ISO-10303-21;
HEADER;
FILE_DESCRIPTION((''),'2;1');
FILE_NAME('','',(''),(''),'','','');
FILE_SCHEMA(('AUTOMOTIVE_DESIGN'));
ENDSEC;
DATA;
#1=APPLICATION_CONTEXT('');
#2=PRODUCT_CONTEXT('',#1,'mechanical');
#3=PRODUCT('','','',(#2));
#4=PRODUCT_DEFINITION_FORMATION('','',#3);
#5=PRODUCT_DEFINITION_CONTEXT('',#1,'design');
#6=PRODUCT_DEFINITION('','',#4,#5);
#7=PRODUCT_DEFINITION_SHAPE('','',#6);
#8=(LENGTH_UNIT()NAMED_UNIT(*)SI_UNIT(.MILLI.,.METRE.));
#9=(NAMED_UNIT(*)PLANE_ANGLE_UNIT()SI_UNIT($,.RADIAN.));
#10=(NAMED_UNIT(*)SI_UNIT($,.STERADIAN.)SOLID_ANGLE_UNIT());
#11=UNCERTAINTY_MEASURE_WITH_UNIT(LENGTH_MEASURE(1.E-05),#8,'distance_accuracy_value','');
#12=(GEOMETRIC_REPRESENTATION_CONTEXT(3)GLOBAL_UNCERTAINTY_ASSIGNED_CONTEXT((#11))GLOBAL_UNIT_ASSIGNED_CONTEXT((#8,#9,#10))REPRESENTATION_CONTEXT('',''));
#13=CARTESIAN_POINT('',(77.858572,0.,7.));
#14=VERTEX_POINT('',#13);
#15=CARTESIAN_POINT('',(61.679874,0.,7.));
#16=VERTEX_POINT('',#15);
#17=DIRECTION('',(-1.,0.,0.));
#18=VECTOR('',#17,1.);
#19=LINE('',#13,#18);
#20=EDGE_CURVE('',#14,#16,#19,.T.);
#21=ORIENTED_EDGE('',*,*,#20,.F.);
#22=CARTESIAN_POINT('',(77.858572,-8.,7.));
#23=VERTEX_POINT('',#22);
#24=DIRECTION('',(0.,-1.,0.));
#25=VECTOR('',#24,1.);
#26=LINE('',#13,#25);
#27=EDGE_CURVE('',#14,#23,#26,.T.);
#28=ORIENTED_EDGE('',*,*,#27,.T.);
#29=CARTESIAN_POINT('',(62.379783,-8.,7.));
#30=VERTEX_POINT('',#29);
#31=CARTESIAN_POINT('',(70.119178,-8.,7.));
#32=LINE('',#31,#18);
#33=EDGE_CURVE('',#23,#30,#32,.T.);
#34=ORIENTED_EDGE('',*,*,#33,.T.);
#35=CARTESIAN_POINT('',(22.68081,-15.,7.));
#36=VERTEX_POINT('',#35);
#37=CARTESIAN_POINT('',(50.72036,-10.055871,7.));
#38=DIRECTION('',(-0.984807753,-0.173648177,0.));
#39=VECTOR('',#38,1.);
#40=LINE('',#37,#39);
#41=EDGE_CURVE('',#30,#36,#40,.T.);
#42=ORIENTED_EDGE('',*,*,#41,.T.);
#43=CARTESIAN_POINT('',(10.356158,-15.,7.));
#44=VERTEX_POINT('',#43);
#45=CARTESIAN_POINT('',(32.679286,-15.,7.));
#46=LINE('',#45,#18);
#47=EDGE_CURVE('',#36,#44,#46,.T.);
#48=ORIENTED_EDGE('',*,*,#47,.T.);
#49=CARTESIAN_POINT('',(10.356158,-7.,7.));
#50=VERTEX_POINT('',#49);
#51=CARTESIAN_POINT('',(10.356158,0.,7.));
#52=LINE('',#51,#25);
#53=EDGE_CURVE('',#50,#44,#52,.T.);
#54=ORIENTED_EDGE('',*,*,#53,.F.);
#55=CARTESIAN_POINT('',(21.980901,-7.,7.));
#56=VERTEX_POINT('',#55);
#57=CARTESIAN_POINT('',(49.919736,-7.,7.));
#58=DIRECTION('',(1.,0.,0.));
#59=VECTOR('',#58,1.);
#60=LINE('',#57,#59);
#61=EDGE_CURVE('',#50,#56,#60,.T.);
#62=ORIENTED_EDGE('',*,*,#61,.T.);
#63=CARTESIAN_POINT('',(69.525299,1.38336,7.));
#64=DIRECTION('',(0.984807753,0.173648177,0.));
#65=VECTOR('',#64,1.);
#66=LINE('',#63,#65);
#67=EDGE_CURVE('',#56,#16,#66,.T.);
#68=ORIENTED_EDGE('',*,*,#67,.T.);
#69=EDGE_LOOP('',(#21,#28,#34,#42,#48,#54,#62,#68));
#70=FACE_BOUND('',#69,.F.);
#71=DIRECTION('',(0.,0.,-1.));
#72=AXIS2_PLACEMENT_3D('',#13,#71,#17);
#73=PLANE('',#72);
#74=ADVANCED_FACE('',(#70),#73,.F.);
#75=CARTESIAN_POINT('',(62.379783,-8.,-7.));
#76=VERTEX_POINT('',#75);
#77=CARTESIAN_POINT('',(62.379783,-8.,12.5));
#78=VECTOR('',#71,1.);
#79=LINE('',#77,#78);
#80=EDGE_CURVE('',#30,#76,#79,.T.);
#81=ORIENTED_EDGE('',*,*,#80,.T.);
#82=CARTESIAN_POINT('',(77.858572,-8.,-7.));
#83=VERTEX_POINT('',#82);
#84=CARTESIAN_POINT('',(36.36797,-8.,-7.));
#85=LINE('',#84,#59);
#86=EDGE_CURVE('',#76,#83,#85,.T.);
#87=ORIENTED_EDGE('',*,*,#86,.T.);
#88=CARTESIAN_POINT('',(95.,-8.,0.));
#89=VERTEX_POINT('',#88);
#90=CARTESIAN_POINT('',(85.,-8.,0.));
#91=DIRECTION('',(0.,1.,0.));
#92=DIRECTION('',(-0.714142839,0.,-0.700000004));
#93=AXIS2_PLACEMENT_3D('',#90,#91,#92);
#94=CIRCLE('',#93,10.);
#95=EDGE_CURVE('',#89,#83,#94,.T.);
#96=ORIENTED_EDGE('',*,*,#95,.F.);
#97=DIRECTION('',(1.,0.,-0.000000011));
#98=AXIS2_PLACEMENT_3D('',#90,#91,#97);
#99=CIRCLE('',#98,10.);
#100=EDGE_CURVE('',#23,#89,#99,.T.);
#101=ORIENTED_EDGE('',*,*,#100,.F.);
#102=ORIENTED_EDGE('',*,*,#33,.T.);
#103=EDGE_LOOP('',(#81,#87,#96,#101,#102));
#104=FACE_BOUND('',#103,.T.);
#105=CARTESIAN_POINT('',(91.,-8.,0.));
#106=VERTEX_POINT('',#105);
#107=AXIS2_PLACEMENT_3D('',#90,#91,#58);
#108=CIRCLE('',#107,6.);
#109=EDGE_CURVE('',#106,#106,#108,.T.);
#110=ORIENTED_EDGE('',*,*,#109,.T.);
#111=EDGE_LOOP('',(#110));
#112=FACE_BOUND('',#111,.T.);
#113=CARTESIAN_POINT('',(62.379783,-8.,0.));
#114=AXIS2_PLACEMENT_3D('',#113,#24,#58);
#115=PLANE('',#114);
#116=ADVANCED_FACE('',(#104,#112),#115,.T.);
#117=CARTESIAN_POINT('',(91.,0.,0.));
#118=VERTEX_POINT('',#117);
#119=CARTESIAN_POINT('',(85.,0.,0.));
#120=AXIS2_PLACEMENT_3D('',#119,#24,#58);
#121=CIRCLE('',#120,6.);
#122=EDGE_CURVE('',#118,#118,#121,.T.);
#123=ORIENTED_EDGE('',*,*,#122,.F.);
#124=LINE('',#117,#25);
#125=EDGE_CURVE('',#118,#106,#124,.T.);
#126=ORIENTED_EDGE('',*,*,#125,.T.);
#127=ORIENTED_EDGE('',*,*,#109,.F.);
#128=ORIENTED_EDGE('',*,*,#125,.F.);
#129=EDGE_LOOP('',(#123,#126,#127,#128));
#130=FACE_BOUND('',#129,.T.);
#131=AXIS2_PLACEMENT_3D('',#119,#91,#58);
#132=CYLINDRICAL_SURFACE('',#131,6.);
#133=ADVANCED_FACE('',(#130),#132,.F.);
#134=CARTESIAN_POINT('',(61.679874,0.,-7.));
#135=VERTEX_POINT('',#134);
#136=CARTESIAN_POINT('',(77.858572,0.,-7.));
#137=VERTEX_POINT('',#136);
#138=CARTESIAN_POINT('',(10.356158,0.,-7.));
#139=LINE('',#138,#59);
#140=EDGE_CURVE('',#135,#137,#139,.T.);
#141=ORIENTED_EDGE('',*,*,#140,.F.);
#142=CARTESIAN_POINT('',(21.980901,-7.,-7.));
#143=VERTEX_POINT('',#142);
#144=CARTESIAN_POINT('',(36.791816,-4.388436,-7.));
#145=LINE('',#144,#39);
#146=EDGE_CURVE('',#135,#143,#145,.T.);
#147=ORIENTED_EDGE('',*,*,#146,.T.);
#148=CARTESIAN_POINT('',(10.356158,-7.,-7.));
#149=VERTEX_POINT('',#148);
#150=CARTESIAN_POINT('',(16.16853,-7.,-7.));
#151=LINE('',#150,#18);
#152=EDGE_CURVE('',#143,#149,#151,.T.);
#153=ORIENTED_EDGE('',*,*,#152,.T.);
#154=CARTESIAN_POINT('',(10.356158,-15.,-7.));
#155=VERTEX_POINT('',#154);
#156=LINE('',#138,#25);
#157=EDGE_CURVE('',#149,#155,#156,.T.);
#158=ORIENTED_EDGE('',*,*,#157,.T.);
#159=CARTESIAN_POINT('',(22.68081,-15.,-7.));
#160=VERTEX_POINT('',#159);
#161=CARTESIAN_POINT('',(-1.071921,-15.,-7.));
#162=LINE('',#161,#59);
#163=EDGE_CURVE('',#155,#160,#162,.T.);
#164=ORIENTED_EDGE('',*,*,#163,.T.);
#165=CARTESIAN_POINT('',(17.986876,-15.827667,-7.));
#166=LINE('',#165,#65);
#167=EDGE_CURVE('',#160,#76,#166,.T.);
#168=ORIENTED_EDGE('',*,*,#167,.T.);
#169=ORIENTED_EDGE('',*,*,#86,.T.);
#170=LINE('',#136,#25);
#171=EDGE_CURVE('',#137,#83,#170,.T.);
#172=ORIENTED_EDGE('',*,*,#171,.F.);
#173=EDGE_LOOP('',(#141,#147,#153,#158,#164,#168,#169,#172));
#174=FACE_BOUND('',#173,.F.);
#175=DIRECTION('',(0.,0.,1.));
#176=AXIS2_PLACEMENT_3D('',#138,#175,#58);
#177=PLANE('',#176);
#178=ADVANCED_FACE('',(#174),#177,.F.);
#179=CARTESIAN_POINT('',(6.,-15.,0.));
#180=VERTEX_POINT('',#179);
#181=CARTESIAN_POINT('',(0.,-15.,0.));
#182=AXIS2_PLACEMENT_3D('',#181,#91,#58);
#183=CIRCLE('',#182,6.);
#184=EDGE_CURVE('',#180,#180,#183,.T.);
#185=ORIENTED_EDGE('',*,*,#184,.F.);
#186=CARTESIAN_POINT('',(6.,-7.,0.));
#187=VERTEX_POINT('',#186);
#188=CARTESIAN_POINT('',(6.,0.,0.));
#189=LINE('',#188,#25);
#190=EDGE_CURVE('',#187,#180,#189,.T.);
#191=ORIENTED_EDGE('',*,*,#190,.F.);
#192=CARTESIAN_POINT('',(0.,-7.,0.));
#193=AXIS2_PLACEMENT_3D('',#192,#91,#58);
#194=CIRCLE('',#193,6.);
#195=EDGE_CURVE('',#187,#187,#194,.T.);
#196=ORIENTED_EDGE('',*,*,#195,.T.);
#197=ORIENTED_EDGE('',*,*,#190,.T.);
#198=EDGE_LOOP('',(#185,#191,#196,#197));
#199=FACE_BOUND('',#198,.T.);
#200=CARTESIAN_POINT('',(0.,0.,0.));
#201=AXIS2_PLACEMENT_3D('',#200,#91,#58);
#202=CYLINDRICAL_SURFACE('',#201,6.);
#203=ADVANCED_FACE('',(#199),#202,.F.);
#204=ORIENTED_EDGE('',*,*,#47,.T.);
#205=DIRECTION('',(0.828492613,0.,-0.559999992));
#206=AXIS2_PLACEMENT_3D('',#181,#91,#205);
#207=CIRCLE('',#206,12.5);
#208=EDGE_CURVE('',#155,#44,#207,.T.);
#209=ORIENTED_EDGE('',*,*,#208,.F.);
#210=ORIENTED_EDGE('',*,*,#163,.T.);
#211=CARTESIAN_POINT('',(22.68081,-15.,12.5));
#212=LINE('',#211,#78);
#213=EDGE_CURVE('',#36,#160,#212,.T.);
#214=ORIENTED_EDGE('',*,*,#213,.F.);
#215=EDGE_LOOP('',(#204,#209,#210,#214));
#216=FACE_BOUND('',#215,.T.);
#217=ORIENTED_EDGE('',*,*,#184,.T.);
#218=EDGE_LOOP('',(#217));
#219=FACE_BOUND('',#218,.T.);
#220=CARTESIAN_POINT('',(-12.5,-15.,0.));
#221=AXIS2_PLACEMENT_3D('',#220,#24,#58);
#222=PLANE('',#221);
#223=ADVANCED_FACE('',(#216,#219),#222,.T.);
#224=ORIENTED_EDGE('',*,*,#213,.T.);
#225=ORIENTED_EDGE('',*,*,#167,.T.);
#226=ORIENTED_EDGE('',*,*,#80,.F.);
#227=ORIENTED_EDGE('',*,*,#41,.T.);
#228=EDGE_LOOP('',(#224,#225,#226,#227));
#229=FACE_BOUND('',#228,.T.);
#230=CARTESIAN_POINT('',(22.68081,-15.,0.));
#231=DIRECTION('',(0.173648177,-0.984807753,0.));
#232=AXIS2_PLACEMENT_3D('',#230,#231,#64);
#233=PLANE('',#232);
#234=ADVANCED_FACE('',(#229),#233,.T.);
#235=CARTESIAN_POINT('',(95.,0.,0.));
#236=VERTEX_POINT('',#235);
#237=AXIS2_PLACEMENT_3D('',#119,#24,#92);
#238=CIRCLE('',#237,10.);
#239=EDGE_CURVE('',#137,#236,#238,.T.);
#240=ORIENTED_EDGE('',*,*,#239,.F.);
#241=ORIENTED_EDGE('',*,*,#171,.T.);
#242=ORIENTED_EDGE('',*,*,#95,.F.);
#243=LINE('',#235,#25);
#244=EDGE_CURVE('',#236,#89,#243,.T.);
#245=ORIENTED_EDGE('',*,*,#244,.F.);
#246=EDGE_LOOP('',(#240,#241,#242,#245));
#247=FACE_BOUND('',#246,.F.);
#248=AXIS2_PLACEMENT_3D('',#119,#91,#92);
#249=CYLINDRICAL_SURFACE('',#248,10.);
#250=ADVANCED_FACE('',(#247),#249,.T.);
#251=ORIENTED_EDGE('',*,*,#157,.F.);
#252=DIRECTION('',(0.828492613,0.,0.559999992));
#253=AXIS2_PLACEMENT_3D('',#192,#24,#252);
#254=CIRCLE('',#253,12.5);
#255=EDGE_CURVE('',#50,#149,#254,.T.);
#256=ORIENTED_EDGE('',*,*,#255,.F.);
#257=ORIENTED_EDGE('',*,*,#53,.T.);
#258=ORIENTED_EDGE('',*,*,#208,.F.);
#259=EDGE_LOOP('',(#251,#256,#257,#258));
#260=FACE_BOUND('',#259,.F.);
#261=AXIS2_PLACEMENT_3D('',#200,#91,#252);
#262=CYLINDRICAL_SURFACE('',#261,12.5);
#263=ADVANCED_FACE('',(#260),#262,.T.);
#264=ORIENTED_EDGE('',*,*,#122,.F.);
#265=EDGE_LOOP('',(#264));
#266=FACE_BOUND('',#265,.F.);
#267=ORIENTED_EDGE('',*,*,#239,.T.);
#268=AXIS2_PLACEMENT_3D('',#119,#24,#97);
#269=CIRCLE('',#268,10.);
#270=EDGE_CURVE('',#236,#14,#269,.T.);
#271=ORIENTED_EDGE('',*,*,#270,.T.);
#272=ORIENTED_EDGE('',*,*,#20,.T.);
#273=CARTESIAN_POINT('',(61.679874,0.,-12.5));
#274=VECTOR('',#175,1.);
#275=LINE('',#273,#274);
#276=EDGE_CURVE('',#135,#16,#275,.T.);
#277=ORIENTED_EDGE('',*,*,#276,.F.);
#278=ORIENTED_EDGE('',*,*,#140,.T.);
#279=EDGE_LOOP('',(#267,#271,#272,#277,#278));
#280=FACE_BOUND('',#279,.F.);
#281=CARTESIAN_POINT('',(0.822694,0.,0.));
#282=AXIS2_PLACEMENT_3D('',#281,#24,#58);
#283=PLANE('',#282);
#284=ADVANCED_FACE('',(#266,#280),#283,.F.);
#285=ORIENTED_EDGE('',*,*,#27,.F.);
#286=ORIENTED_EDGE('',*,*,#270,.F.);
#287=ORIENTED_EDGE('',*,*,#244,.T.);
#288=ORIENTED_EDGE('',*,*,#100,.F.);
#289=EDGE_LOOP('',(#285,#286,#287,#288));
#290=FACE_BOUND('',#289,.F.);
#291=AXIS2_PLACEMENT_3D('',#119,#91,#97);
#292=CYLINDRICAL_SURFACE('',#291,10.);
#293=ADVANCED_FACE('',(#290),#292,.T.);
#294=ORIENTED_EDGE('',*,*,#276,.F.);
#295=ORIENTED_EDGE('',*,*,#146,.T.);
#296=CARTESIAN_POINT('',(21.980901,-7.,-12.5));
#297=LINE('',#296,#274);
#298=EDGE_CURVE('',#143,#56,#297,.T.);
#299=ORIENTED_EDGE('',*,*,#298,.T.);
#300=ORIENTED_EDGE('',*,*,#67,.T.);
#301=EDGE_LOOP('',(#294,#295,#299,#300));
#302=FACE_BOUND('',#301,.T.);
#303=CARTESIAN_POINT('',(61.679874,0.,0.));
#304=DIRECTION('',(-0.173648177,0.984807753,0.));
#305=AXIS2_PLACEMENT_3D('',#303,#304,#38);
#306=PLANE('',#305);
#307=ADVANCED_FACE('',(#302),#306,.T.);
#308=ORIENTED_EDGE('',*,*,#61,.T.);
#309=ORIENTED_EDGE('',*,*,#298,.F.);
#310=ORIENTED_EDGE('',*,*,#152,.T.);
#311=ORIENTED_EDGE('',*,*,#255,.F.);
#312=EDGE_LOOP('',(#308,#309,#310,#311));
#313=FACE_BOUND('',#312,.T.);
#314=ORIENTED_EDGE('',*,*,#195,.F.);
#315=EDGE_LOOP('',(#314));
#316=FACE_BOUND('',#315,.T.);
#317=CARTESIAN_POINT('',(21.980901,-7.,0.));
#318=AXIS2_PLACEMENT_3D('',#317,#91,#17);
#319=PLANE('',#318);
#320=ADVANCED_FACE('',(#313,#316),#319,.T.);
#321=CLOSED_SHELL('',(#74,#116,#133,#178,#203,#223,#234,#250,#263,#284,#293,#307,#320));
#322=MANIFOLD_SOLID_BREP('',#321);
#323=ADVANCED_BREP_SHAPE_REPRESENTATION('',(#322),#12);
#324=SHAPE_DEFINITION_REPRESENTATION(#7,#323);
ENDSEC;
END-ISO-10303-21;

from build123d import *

# Parameters (mm, degrees)
F0_R     = 6
F1_DEPTH = 20
F3_DEPTH = 12.5


with BuildPart() as f1:
    # F0 (on Front) → F1 (new body)
    with BuildSketch(Plane.XZ):
        with BuildLine():
            ThreePointArc((10.356158, -7), (11.952028, -3.660467), (12.5, 0))
            ThreePointArc((12.5, 0), (11.952028, 3.660467), (10.356158, 7))
            ThreePointArc((10.356158, 7), (-12.5, 0), (10.356158, -7))
        make_face()
        Circle(F0_R, mode=Mode.SUBTRACT)
        with BuildLine():
            ThreePointArc((10.356158, 7), (11.952028, 3.660467), (12.5, 0))
            ThreePointArc((12.5, 0), (11.952028, -3.660467), (10.356158, -7))
            Line((10.356158, -7), (77.858572, -7))
            ThreePointArc((77.858572, -7), (75, 0), (77.858572, 7))
            Line((77.858572, 7), (10.356158, 7))
        make_face()
        with BuildLine():
            ThreePointArc((95, 0), (88.78059, 9.257815), (77.858572, 7))
            ThreePointArc((77.858572, 7), (75, 0), (77.858572, -7))
            ThreePointArc((77.858572, -7), (88.78059, -9.257815), (95, 0))
        make_face()
        with Locations((85, 0)):
            Circle(F0_R, mode=Mode.SUBTRACT)
    extrude(amount=F1_DEPTH)

    # F2 (on Top) → F3 (intersect, symmetric)
    with BuildSketch(Plane.XY):
        Polygon((95, -8), (95, 0), (81.679874, 0), (61.679874, 0), (21.980901, -7), (-12.5, -7), (-12.5, -15), (22.68081, -15), (62.379783, -8), (85.50881, -8), align=None)
    extrude(amount=F3_DEPTH, both=True, mode=Mode.INTERSECT)


solid = f1.part
